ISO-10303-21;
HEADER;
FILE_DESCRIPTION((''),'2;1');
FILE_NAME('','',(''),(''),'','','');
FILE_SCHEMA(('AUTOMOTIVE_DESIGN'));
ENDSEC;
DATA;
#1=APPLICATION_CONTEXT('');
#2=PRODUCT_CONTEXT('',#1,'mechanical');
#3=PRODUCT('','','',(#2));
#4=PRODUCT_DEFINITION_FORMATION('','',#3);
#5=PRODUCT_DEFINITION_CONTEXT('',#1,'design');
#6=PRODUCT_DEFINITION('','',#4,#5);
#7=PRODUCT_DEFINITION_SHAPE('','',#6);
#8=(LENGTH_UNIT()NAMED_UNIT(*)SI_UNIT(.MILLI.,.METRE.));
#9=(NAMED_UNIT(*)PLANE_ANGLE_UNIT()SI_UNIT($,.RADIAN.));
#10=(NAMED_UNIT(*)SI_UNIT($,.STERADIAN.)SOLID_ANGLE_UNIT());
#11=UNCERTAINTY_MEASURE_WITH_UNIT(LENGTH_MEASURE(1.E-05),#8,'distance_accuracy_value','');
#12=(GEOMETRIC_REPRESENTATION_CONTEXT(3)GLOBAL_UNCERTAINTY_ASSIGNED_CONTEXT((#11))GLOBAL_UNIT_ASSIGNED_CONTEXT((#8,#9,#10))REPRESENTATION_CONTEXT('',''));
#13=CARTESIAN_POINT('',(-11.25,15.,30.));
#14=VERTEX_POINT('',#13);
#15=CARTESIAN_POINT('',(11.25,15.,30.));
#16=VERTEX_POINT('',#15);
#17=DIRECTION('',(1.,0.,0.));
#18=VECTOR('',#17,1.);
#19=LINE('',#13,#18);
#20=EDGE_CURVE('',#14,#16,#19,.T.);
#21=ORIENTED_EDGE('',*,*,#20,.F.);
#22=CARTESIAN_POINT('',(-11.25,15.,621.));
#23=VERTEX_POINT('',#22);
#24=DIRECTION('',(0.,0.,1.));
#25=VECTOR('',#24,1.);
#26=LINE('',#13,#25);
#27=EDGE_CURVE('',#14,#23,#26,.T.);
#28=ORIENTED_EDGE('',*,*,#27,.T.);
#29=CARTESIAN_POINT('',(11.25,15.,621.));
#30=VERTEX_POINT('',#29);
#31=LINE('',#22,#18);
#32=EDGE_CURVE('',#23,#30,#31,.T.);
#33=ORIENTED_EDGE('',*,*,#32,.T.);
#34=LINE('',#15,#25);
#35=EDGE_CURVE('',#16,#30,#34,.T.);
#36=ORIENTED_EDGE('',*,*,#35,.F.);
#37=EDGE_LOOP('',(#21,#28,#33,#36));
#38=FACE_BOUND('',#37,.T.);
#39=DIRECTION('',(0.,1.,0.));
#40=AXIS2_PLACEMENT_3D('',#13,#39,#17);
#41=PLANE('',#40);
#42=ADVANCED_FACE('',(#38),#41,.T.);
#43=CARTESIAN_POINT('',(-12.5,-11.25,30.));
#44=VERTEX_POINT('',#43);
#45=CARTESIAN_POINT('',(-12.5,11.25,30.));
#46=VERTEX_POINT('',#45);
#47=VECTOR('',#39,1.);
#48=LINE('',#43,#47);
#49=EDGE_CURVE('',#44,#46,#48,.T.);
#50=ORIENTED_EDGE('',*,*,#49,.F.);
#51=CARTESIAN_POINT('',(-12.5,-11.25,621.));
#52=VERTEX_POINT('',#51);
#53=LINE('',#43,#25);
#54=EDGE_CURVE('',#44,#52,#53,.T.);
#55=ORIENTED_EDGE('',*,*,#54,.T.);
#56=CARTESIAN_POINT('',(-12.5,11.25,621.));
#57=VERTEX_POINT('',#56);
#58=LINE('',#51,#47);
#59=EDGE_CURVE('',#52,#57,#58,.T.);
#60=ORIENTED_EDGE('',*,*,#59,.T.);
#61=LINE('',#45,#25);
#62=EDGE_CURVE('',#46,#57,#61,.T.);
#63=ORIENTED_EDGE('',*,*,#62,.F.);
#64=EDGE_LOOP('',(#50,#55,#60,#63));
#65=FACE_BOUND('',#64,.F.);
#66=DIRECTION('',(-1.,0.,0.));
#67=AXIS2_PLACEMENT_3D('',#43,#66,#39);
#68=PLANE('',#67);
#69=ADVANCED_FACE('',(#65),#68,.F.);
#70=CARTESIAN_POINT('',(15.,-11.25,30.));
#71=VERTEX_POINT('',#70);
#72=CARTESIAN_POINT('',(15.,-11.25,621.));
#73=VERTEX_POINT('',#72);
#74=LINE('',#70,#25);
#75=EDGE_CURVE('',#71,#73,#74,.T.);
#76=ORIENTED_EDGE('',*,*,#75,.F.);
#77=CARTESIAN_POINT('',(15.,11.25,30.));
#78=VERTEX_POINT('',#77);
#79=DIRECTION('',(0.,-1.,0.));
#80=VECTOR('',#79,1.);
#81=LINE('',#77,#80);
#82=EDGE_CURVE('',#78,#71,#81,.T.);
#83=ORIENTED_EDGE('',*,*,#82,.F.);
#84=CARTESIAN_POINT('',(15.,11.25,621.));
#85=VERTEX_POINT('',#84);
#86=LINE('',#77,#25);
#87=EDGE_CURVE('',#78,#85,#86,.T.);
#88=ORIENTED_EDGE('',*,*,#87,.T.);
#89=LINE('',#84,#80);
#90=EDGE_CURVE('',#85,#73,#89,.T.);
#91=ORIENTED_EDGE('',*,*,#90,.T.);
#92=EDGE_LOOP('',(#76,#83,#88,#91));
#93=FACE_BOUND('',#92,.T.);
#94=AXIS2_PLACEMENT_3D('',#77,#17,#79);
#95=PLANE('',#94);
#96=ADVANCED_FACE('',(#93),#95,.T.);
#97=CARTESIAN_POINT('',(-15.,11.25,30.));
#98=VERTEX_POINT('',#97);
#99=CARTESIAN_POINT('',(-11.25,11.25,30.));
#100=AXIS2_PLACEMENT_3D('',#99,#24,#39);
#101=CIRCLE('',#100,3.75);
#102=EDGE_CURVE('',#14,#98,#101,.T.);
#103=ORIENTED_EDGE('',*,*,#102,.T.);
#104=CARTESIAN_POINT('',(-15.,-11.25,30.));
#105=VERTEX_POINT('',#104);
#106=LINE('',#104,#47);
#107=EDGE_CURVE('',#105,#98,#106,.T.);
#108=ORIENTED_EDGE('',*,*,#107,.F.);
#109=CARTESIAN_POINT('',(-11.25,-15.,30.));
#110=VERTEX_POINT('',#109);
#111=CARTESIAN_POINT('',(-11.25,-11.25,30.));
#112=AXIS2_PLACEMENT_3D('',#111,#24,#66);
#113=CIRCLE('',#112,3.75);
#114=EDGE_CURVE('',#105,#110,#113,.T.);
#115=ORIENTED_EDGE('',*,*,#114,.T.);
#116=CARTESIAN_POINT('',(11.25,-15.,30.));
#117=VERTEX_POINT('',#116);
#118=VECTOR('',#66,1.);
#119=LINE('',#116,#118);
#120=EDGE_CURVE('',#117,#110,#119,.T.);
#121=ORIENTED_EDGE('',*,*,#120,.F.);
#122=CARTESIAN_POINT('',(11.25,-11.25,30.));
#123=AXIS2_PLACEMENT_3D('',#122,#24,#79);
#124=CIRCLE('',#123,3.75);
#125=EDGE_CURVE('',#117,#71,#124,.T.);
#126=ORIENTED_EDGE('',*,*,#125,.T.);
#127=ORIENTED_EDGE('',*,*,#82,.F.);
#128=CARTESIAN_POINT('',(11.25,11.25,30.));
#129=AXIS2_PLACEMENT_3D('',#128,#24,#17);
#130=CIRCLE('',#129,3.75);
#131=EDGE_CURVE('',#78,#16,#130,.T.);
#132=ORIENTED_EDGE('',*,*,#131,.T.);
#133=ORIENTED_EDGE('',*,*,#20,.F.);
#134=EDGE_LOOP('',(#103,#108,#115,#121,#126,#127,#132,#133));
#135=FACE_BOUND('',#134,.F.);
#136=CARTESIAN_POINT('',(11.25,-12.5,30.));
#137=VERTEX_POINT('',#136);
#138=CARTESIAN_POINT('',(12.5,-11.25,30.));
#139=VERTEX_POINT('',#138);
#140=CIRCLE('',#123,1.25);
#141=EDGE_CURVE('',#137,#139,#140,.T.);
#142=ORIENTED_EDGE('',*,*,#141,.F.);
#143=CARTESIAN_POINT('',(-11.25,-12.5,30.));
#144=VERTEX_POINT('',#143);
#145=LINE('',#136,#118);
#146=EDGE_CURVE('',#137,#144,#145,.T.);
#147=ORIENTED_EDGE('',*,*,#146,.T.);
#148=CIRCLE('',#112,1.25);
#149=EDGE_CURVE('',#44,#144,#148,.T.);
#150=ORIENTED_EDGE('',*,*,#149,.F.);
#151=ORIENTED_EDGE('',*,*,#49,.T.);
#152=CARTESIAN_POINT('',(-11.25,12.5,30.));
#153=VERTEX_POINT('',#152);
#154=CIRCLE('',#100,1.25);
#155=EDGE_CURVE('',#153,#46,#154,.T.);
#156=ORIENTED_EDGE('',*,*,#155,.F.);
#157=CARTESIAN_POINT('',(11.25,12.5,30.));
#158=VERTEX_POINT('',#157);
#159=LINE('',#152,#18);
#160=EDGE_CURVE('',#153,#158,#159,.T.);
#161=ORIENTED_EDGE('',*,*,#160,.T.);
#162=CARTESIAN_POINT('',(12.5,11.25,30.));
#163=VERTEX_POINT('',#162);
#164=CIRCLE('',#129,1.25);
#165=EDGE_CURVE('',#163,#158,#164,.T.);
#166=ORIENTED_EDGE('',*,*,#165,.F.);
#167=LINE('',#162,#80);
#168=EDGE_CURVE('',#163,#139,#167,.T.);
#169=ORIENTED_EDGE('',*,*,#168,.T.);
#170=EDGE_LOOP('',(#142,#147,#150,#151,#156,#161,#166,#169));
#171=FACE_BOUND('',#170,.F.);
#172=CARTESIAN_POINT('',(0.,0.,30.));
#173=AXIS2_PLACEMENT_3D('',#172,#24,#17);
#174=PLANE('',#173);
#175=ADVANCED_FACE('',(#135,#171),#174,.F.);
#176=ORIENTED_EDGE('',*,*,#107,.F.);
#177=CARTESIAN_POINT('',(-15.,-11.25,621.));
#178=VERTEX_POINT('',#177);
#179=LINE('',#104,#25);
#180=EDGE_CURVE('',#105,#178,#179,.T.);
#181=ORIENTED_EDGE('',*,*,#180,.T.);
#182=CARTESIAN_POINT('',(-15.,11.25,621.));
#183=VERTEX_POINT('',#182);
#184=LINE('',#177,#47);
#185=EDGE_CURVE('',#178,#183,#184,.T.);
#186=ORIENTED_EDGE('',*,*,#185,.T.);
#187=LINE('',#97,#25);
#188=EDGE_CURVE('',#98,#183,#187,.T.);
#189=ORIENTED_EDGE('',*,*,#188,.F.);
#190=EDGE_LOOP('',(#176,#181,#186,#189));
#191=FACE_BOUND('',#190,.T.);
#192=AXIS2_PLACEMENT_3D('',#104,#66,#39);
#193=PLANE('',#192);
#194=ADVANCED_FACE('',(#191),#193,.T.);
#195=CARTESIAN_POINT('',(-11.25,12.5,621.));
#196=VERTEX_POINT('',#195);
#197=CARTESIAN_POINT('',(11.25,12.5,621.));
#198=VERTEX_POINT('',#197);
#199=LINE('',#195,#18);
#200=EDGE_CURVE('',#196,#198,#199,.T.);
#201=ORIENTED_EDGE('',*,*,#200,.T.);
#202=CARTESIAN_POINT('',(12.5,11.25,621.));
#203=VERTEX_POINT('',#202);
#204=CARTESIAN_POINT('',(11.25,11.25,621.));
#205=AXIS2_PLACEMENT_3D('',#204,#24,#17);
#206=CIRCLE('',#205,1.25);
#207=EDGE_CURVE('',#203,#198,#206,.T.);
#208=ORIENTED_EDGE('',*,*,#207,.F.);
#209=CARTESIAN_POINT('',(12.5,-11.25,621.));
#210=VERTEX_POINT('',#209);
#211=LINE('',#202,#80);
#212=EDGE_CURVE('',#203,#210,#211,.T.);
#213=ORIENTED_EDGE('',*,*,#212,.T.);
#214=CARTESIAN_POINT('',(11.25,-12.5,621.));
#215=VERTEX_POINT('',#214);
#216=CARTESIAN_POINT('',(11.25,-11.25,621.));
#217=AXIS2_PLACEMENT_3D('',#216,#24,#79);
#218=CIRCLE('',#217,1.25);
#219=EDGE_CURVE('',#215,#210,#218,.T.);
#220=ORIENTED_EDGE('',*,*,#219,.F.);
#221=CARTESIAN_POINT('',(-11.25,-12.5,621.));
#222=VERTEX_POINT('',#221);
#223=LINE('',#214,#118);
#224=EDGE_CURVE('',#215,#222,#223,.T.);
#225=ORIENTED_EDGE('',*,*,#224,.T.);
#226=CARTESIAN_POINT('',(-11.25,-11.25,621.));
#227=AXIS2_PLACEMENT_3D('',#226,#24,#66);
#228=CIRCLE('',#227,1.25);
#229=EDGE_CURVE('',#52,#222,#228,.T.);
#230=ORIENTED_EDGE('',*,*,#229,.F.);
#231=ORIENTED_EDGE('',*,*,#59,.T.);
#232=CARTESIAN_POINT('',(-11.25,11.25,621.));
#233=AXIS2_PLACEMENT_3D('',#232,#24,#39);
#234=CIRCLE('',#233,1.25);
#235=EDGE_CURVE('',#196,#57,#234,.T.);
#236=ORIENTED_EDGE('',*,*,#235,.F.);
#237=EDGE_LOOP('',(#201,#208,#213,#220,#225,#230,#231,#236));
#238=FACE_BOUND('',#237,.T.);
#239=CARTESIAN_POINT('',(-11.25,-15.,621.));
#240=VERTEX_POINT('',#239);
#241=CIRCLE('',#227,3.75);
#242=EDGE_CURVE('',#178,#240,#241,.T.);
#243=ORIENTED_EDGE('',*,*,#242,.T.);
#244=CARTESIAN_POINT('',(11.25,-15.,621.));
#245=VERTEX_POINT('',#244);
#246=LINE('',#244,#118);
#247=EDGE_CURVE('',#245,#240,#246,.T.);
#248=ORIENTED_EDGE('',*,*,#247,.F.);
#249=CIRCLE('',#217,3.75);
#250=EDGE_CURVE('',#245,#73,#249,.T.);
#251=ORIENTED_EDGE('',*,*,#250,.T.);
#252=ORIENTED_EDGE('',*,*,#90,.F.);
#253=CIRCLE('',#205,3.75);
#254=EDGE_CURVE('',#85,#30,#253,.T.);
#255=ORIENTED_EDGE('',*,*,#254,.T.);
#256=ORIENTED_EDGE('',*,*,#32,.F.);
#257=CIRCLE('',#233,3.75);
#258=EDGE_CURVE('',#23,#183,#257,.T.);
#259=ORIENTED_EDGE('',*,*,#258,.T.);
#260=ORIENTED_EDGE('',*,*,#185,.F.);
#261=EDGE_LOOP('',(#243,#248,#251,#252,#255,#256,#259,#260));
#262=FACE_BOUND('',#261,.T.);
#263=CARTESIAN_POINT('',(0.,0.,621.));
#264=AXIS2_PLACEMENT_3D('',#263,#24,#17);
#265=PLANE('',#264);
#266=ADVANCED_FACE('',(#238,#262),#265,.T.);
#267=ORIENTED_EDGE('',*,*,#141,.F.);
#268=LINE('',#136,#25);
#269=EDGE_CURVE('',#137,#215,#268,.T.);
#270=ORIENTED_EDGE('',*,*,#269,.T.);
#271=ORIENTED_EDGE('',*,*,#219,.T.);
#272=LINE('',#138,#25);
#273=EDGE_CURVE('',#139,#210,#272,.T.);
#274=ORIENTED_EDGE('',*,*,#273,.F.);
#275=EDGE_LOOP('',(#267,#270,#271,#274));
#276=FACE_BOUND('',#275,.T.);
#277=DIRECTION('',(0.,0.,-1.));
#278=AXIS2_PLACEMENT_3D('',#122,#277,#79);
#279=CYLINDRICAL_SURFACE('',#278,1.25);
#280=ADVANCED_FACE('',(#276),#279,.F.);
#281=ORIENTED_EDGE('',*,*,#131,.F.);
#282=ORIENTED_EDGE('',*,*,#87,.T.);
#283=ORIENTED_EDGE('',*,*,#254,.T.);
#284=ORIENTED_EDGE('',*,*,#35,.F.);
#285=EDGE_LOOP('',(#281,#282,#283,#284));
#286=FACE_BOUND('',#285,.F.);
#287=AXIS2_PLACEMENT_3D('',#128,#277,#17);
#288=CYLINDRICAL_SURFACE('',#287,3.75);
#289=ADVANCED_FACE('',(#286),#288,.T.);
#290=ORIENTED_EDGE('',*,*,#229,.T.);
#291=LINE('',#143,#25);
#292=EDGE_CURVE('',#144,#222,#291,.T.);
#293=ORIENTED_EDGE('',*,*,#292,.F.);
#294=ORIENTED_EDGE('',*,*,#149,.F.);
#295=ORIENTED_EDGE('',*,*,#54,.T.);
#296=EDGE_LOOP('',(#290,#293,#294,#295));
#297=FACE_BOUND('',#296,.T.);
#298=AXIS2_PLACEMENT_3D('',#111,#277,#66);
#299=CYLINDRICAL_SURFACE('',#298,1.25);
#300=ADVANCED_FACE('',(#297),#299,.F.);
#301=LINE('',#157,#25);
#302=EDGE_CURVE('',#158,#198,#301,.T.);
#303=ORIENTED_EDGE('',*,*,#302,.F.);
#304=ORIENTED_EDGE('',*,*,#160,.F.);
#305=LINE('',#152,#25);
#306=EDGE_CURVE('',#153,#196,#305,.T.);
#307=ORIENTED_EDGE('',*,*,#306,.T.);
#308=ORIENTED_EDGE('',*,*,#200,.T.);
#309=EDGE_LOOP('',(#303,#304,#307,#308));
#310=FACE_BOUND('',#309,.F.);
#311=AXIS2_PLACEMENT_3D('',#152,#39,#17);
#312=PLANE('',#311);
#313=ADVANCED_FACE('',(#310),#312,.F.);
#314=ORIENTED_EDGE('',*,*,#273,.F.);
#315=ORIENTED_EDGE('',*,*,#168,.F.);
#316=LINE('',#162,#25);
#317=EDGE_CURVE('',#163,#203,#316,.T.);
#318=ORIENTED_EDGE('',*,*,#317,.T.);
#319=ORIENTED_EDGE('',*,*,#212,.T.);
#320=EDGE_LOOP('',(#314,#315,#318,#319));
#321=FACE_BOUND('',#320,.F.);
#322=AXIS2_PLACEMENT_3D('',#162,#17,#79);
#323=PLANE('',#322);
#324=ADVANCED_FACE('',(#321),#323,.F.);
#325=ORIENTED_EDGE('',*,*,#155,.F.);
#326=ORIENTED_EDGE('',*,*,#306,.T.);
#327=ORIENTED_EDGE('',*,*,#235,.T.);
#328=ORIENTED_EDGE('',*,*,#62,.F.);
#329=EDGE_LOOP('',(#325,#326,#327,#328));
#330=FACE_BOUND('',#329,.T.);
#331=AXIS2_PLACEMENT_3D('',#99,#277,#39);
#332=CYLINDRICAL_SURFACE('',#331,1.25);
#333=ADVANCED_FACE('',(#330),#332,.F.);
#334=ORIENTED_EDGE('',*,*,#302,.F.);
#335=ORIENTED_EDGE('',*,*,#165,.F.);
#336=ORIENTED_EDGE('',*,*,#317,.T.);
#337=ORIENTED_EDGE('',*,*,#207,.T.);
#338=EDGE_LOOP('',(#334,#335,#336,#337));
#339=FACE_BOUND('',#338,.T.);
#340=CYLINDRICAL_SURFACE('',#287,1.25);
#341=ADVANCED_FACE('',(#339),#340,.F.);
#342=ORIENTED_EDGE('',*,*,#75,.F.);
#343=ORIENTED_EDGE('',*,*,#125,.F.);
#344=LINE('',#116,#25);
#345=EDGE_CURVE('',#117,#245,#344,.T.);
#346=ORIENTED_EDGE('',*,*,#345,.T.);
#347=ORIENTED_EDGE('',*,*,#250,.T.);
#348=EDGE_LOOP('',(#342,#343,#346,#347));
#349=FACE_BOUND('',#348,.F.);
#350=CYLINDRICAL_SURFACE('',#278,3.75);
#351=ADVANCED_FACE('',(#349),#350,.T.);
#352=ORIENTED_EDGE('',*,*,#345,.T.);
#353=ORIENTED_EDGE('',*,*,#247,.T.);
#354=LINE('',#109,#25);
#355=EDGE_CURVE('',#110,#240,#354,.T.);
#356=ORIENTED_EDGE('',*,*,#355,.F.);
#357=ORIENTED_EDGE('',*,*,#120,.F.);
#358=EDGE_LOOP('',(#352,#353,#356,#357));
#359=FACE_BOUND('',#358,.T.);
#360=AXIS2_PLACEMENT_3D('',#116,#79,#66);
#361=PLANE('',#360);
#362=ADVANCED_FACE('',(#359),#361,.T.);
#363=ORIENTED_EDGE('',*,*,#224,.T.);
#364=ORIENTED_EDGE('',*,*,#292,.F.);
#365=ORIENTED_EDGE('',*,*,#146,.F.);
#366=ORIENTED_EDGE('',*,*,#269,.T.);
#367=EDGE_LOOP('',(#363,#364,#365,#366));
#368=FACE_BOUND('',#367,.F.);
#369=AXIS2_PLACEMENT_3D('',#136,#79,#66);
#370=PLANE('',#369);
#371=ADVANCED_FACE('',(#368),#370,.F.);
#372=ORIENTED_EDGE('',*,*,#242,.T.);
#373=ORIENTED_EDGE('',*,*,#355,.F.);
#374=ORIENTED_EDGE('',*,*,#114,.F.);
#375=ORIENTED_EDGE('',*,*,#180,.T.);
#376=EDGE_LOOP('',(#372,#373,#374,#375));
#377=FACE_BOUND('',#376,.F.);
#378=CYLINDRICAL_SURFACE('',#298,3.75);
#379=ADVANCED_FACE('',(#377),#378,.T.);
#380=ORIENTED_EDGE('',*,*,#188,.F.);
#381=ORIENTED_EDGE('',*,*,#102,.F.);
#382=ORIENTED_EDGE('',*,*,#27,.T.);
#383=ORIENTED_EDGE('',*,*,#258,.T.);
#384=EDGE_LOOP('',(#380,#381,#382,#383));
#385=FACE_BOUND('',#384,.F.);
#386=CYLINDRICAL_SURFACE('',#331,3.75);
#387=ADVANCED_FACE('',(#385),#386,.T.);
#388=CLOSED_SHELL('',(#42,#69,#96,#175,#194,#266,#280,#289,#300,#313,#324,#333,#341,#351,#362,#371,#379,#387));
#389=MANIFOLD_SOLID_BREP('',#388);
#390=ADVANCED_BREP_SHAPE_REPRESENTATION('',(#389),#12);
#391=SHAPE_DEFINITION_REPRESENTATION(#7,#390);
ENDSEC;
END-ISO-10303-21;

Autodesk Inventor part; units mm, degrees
ref_plane "Start plane" through (0, 0, 30) normal (0, 0, 1) x (1, 0, 0)
ref_plane "End plane" through (0, 0, 621) normal (0, 0, 1) x (1, 0, 0)
sketch "Sketch" plane through (0, 0, 0) normal (0, 0, 1) x (1, 0, 0)
  line L0 (-15, -11.25) -> (-15, 11.25)
  line L1 (-11.25, 15) -> (11.25, 15)
  line L2 (15, 11.25) -> (15, -11.25)
  line L3 (11.25, -15) -> (-11.25, -15)
  arc A0 (-15, -11.25) -> (-11.25, -15) centre (-11.25, -11.25) ccw
  arc A1 (-11.25, 15) -> (-15, 11.25) centre (-11.25, 11.25) ccw
  arc A2 (15, 11.25) -> (11.25, 15) centre (11.25, 11.25) ccw
  arc A3 (11.25, -15) -> (15, -11.25) centre (11.25, -11.25) ccw
  arc A4 (-11.25, 12.5) -> (-12.5, 11.25) centre (-11.25, 11.25) ccw
  line L4 (-11.25, 12.5) -> (11.25, 12.5)
  arc A5 (12.5, 11.25) -> (11.25, 12.5) centre (11.25, 11.25) ccw
  line L5 (12.5, 11.25) -> (12.5, -11.25)
  arc A6 (11.25, -12.5) -> (12.5, -11.25) centre (11.25, -11.25) ccw
  line L6 (11.25, -12.5) -> (-11.25, -12.5)
  arc A7 (-12.5, -11.25) -> (-11.25, -12.5) centre (-11.25, -11.25) ccw
  line L7 (-12.5, -11.25) -> (-12.5, 11.25)
  line L8 (0, 22.0873) -> (0, -22.0873) construction
  line L9 (-22.0873, 0) -> (22.0873, 0) construction
  dimension "d7" = 3.75
  dimension "d10" = 30
  dimension "d11" = 30
  dimension "d12" = 2.5
  dimension "d15" = 15
  dimension "d16" = 15
extrude "Body" add sketch "Sketch" along normal up to surface (591 mm away) from surface at 30
sketch "Sketch3" plane through (0, 0, 0) normal (0, 0, 1) x (1, 0, 0)
  line L0 (0, 0) -> (10, 0)
ref_plane "Work Plane3" through (0, 0, 0) normal (0, -1, 0) x (1, 0, 0)
sketch "Sketch4" plane through (0, 0, 0) normal (0, -1, 0) x (1, 0, 0)
  line L0 (-2, 30) -> (12, 30)
  line L1 (-2, 621) -> (12, 621)
  dimension "d18" = 591
ref_plane "Work Plane5" through (340.8, 45, 30) normal (0, 0, -1) x (-1, 0, 0)
split "Split2" plane through (340.8, 45, 30) removes the side toward (0, 0, -1)
ref_plane "Work Plane6" through (385, -11.25, 621) normal (0, 0, 1) x (1, 0, 0)
split "Split3" plane through (385, -11.25, 621) removes the side toward (0, 0, 1)
equation "\"d7\" = G_IR"
equation "\"d10\" = G_H"
equation "\"d11\" = G_W"
equation "\"d12\" = G_T"
equation "\"d15\" = 0.5 * d10"
equation "\"d16\" = 0.5 * d11"
equation "\"d3\" = G_L"
equation "\"G_W\" = 30"
equation "\"G_H\" = 30"
equation "\"G_T\" = 2.5"
equation "\"G_IR\" = 3.75"
equation "\"G_L\" = d18"
equation "\"d14\" = G_OFFSET_END + B_L"
equation "\"B_L\" = 651"
equation "\"G_OFFSET_END\" = -30"
properties part number "DIN EN 10305-5 - 30 x 30 x 2,5  - 591" material "Steel, Mild"
